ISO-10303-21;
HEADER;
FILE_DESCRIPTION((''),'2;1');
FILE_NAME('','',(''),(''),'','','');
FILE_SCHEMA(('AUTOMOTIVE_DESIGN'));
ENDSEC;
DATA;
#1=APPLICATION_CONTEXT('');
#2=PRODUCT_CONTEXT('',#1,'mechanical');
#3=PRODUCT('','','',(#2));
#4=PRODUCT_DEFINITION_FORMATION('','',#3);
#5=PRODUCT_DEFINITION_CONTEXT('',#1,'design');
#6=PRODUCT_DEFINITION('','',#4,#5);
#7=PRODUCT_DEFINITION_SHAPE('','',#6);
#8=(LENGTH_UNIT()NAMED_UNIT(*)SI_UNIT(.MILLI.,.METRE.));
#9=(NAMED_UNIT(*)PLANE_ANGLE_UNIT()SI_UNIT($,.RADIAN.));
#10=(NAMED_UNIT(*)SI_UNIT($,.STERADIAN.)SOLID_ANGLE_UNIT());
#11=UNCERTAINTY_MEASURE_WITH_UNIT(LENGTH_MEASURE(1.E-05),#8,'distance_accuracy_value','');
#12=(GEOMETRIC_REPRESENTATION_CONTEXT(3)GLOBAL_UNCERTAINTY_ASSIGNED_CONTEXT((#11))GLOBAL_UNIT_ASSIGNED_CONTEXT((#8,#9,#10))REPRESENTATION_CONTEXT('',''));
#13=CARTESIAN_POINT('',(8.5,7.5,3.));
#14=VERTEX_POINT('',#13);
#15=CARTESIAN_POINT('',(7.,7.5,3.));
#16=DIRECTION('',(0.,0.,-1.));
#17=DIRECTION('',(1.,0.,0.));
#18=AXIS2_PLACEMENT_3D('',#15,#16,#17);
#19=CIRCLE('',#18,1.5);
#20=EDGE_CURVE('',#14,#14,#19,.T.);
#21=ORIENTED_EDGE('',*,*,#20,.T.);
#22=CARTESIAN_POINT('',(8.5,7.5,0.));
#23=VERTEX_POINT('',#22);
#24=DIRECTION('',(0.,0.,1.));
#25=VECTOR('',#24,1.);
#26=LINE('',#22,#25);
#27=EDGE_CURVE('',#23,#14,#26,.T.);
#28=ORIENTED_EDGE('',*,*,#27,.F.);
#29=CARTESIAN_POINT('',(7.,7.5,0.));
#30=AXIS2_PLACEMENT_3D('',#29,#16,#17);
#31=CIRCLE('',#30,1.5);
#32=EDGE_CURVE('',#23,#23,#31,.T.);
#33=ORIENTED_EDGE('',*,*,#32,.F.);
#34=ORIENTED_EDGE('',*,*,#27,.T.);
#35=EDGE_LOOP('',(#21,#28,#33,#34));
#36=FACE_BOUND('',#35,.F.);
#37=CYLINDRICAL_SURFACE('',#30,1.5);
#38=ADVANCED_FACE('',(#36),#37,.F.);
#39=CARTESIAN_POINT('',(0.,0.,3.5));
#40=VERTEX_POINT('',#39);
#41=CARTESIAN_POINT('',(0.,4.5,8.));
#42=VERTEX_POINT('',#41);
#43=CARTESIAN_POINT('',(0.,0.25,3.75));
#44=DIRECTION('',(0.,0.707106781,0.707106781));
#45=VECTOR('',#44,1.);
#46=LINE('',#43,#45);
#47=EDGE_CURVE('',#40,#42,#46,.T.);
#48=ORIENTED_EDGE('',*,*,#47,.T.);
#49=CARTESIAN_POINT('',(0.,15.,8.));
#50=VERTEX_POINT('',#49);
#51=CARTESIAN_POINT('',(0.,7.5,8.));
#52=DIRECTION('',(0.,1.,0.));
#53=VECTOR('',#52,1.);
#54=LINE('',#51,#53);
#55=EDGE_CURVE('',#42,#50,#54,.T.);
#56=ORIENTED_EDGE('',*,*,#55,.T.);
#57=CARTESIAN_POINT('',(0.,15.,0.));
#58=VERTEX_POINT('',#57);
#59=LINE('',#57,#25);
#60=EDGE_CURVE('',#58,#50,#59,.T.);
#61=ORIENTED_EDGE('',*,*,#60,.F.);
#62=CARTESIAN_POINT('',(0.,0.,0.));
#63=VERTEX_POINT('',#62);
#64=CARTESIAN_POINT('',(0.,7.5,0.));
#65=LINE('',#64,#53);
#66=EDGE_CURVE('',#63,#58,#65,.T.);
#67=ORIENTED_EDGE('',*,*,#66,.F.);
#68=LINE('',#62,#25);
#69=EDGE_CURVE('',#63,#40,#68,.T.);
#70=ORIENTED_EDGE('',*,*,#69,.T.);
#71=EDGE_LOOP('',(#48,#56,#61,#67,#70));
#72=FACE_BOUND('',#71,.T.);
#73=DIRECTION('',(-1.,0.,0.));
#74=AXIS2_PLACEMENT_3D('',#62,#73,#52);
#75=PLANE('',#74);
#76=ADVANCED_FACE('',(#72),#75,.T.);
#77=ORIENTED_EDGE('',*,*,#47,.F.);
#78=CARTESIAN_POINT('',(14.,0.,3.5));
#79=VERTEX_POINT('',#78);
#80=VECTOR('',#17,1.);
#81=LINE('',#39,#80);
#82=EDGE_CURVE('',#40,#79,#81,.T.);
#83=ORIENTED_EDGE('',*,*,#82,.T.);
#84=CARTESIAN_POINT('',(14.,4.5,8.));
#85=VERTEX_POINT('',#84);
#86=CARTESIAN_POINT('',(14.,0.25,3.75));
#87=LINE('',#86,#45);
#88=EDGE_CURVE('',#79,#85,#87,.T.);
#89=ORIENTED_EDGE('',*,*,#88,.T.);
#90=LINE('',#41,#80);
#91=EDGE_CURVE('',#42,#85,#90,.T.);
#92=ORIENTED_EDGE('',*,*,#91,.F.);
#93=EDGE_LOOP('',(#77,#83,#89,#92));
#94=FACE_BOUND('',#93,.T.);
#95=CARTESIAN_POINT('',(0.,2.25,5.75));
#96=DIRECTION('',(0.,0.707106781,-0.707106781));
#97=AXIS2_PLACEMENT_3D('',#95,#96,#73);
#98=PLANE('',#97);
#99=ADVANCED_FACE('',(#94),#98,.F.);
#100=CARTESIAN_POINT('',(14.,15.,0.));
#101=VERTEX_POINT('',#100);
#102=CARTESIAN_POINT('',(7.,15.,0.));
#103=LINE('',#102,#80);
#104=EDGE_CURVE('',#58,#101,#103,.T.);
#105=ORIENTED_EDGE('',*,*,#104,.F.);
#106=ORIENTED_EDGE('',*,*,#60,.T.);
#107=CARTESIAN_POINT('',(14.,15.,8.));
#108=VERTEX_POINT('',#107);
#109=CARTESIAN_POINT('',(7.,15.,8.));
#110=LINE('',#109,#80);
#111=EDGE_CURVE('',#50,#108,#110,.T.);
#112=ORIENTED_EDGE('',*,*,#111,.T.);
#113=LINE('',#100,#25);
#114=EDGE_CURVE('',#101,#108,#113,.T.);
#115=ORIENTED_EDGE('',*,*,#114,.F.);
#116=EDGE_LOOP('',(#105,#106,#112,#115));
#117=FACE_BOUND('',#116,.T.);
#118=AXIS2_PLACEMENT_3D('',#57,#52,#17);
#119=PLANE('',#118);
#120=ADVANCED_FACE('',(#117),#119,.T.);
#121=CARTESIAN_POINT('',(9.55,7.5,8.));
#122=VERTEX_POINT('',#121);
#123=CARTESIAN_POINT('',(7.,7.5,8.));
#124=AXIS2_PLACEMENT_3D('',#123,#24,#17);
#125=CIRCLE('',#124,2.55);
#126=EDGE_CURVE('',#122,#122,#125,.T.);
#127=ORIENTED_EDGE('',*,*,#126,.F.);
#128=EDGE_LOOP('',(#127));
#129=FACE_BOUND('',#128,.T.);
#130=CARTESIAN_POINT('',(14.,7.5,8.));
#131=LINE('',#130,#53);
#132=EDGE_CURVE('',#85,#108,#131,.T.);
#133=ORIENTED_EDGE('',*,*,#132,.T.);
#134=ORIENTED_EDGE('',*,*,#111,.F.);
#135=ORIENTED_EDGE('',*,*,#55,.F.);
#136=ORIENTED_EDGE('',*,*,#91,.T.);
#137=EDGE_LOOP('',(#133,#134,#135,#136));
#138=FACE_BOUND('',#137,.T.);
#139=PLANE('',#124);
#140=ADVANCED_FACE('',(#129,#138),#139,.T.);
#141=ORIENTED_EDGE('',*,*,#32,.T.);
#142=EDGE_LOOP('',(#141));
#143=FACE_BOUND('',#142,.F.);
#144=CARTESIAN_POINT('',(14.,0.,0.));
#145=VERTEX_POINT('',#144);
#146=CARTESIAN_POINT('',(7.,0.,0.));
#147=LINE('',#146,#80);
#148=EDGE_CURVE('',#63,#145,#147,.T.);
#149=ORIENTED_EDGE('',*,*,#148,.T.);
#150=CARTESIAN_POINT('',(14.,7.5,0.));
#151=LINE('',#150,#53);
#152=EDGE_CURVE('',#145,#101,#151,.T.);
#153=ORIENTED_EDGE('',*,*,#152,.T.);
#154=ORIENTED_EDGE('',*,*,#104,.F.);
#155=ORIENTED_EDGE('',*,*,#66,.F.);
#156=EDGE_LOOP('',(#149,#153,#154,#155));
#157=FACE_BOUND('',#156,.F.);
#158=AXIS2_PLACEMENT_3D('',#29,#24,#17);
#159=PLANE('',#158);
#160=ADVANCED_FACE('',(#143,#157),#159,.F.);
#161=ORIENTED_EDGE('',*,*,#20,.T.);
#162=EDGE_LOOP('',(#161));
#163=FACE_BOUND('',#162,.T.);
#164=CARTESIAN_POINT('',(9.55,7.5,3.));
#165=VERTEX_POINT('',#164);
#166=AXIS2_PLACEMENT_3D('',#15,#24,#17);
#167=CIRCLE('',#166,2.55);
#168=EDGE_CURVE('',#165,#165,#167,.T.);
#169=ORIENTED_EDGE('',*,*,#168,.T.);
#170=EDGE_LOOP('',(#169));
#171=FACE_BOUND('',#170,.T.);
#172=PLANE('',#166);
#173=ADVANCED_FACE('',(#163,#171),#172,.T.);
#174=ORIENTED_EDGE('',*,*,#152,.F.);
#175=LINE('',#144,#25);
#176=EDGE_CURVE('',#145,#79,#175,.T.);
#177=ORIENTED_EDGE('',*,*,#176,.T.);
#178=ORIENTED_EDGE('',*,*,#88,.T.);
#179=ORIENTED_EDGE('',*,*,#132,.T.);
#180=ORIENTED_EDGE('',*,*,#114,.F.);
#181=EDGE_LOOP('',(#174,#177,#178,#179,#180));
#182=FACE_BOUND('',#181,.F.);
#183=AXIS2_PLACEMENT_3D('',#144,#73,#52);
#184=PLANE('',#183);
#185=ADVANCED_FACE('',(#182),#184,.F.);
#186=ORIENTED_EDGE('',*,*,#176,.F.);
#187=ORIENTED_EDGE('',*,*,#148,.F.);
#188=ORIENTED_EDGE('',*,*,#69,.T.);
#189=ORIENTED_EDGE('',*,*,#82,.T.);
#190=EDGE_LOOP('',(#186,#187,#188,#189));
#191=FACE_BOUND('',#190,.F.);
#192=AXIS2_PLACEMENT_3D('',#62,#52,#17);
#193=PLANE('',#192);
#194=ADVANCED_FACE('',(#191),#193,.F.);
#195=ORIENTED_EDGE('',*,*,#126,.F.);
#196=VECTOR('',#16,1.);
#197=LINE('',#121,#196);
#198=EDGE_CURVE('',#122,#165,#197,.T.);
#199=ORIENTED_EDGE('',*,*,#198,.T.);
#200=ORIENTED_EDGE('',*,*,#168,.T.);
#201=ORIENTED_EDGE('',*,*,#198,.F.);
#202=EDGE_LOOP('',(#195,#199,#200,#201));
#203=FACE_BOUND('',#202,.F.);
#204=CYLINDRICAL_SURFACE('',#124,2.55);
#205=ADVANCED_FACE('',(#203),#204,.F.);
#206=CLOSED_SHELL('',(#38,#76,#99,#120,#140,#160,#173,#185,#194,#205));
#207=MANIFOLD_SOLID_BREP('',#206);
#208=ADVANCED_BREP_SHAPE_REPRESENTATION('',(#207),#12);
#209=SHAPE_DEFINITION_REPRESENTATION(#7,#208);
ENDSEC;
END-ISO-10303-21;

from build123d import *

# Parameters (mm, degrees)
SKETCH_W        = 14
SKETCH_H        = 15
PAD_DEPTH       = 8
SKETCH001_R     = 1.5
POCKET_DEPTH    = 8.001
SKETCH002_R     = 2.55
POCKET001_DEPTH = 5
CHAMFER_SIZE    = 4.5


with BuildPart() as part:
    # Sketch → Pad (new body)
    with BuildSketch(Plane.XY):
        with Locations((7, 7.5)):
            Rectangle(SKETCH_W, SKETCH_H)
    extrude(amount=PAD_DEPTH)

    # Sketch001 (on Face5 of Pad) → Pocket (cut, through all)
    with BuildSketch(Plane(origin=(0, 0, 0), x_dir=(1, 0, 0), z_dir=(0, 0, -1))):
        with Locations((7, -7.5)):
            Circle(SKETCH001_R)
    extrude(amount=-POCKET_DEPTH, mode=Mode.SUBTRACT)

    # Sketch002 (on Face5 of Pocket) → Pocket001 (cut)
    with BuildSketch(Plane.XY.offset(8)):
        with Locations((7, 7.5)):
            Circle(SKETCH002_R)
    extrude(amount=-POCKET001_DEPTH, mode=Mode.SUBTRACT)

    # Chamfer
    chamfer_edges = [part.edges().sort_by_distance(p)[0] for p in [
        (7, 0, 8),
    ]]
    chamfer(chamfer_edges, length=CHAMFER_SIZE)


solid = part.part
